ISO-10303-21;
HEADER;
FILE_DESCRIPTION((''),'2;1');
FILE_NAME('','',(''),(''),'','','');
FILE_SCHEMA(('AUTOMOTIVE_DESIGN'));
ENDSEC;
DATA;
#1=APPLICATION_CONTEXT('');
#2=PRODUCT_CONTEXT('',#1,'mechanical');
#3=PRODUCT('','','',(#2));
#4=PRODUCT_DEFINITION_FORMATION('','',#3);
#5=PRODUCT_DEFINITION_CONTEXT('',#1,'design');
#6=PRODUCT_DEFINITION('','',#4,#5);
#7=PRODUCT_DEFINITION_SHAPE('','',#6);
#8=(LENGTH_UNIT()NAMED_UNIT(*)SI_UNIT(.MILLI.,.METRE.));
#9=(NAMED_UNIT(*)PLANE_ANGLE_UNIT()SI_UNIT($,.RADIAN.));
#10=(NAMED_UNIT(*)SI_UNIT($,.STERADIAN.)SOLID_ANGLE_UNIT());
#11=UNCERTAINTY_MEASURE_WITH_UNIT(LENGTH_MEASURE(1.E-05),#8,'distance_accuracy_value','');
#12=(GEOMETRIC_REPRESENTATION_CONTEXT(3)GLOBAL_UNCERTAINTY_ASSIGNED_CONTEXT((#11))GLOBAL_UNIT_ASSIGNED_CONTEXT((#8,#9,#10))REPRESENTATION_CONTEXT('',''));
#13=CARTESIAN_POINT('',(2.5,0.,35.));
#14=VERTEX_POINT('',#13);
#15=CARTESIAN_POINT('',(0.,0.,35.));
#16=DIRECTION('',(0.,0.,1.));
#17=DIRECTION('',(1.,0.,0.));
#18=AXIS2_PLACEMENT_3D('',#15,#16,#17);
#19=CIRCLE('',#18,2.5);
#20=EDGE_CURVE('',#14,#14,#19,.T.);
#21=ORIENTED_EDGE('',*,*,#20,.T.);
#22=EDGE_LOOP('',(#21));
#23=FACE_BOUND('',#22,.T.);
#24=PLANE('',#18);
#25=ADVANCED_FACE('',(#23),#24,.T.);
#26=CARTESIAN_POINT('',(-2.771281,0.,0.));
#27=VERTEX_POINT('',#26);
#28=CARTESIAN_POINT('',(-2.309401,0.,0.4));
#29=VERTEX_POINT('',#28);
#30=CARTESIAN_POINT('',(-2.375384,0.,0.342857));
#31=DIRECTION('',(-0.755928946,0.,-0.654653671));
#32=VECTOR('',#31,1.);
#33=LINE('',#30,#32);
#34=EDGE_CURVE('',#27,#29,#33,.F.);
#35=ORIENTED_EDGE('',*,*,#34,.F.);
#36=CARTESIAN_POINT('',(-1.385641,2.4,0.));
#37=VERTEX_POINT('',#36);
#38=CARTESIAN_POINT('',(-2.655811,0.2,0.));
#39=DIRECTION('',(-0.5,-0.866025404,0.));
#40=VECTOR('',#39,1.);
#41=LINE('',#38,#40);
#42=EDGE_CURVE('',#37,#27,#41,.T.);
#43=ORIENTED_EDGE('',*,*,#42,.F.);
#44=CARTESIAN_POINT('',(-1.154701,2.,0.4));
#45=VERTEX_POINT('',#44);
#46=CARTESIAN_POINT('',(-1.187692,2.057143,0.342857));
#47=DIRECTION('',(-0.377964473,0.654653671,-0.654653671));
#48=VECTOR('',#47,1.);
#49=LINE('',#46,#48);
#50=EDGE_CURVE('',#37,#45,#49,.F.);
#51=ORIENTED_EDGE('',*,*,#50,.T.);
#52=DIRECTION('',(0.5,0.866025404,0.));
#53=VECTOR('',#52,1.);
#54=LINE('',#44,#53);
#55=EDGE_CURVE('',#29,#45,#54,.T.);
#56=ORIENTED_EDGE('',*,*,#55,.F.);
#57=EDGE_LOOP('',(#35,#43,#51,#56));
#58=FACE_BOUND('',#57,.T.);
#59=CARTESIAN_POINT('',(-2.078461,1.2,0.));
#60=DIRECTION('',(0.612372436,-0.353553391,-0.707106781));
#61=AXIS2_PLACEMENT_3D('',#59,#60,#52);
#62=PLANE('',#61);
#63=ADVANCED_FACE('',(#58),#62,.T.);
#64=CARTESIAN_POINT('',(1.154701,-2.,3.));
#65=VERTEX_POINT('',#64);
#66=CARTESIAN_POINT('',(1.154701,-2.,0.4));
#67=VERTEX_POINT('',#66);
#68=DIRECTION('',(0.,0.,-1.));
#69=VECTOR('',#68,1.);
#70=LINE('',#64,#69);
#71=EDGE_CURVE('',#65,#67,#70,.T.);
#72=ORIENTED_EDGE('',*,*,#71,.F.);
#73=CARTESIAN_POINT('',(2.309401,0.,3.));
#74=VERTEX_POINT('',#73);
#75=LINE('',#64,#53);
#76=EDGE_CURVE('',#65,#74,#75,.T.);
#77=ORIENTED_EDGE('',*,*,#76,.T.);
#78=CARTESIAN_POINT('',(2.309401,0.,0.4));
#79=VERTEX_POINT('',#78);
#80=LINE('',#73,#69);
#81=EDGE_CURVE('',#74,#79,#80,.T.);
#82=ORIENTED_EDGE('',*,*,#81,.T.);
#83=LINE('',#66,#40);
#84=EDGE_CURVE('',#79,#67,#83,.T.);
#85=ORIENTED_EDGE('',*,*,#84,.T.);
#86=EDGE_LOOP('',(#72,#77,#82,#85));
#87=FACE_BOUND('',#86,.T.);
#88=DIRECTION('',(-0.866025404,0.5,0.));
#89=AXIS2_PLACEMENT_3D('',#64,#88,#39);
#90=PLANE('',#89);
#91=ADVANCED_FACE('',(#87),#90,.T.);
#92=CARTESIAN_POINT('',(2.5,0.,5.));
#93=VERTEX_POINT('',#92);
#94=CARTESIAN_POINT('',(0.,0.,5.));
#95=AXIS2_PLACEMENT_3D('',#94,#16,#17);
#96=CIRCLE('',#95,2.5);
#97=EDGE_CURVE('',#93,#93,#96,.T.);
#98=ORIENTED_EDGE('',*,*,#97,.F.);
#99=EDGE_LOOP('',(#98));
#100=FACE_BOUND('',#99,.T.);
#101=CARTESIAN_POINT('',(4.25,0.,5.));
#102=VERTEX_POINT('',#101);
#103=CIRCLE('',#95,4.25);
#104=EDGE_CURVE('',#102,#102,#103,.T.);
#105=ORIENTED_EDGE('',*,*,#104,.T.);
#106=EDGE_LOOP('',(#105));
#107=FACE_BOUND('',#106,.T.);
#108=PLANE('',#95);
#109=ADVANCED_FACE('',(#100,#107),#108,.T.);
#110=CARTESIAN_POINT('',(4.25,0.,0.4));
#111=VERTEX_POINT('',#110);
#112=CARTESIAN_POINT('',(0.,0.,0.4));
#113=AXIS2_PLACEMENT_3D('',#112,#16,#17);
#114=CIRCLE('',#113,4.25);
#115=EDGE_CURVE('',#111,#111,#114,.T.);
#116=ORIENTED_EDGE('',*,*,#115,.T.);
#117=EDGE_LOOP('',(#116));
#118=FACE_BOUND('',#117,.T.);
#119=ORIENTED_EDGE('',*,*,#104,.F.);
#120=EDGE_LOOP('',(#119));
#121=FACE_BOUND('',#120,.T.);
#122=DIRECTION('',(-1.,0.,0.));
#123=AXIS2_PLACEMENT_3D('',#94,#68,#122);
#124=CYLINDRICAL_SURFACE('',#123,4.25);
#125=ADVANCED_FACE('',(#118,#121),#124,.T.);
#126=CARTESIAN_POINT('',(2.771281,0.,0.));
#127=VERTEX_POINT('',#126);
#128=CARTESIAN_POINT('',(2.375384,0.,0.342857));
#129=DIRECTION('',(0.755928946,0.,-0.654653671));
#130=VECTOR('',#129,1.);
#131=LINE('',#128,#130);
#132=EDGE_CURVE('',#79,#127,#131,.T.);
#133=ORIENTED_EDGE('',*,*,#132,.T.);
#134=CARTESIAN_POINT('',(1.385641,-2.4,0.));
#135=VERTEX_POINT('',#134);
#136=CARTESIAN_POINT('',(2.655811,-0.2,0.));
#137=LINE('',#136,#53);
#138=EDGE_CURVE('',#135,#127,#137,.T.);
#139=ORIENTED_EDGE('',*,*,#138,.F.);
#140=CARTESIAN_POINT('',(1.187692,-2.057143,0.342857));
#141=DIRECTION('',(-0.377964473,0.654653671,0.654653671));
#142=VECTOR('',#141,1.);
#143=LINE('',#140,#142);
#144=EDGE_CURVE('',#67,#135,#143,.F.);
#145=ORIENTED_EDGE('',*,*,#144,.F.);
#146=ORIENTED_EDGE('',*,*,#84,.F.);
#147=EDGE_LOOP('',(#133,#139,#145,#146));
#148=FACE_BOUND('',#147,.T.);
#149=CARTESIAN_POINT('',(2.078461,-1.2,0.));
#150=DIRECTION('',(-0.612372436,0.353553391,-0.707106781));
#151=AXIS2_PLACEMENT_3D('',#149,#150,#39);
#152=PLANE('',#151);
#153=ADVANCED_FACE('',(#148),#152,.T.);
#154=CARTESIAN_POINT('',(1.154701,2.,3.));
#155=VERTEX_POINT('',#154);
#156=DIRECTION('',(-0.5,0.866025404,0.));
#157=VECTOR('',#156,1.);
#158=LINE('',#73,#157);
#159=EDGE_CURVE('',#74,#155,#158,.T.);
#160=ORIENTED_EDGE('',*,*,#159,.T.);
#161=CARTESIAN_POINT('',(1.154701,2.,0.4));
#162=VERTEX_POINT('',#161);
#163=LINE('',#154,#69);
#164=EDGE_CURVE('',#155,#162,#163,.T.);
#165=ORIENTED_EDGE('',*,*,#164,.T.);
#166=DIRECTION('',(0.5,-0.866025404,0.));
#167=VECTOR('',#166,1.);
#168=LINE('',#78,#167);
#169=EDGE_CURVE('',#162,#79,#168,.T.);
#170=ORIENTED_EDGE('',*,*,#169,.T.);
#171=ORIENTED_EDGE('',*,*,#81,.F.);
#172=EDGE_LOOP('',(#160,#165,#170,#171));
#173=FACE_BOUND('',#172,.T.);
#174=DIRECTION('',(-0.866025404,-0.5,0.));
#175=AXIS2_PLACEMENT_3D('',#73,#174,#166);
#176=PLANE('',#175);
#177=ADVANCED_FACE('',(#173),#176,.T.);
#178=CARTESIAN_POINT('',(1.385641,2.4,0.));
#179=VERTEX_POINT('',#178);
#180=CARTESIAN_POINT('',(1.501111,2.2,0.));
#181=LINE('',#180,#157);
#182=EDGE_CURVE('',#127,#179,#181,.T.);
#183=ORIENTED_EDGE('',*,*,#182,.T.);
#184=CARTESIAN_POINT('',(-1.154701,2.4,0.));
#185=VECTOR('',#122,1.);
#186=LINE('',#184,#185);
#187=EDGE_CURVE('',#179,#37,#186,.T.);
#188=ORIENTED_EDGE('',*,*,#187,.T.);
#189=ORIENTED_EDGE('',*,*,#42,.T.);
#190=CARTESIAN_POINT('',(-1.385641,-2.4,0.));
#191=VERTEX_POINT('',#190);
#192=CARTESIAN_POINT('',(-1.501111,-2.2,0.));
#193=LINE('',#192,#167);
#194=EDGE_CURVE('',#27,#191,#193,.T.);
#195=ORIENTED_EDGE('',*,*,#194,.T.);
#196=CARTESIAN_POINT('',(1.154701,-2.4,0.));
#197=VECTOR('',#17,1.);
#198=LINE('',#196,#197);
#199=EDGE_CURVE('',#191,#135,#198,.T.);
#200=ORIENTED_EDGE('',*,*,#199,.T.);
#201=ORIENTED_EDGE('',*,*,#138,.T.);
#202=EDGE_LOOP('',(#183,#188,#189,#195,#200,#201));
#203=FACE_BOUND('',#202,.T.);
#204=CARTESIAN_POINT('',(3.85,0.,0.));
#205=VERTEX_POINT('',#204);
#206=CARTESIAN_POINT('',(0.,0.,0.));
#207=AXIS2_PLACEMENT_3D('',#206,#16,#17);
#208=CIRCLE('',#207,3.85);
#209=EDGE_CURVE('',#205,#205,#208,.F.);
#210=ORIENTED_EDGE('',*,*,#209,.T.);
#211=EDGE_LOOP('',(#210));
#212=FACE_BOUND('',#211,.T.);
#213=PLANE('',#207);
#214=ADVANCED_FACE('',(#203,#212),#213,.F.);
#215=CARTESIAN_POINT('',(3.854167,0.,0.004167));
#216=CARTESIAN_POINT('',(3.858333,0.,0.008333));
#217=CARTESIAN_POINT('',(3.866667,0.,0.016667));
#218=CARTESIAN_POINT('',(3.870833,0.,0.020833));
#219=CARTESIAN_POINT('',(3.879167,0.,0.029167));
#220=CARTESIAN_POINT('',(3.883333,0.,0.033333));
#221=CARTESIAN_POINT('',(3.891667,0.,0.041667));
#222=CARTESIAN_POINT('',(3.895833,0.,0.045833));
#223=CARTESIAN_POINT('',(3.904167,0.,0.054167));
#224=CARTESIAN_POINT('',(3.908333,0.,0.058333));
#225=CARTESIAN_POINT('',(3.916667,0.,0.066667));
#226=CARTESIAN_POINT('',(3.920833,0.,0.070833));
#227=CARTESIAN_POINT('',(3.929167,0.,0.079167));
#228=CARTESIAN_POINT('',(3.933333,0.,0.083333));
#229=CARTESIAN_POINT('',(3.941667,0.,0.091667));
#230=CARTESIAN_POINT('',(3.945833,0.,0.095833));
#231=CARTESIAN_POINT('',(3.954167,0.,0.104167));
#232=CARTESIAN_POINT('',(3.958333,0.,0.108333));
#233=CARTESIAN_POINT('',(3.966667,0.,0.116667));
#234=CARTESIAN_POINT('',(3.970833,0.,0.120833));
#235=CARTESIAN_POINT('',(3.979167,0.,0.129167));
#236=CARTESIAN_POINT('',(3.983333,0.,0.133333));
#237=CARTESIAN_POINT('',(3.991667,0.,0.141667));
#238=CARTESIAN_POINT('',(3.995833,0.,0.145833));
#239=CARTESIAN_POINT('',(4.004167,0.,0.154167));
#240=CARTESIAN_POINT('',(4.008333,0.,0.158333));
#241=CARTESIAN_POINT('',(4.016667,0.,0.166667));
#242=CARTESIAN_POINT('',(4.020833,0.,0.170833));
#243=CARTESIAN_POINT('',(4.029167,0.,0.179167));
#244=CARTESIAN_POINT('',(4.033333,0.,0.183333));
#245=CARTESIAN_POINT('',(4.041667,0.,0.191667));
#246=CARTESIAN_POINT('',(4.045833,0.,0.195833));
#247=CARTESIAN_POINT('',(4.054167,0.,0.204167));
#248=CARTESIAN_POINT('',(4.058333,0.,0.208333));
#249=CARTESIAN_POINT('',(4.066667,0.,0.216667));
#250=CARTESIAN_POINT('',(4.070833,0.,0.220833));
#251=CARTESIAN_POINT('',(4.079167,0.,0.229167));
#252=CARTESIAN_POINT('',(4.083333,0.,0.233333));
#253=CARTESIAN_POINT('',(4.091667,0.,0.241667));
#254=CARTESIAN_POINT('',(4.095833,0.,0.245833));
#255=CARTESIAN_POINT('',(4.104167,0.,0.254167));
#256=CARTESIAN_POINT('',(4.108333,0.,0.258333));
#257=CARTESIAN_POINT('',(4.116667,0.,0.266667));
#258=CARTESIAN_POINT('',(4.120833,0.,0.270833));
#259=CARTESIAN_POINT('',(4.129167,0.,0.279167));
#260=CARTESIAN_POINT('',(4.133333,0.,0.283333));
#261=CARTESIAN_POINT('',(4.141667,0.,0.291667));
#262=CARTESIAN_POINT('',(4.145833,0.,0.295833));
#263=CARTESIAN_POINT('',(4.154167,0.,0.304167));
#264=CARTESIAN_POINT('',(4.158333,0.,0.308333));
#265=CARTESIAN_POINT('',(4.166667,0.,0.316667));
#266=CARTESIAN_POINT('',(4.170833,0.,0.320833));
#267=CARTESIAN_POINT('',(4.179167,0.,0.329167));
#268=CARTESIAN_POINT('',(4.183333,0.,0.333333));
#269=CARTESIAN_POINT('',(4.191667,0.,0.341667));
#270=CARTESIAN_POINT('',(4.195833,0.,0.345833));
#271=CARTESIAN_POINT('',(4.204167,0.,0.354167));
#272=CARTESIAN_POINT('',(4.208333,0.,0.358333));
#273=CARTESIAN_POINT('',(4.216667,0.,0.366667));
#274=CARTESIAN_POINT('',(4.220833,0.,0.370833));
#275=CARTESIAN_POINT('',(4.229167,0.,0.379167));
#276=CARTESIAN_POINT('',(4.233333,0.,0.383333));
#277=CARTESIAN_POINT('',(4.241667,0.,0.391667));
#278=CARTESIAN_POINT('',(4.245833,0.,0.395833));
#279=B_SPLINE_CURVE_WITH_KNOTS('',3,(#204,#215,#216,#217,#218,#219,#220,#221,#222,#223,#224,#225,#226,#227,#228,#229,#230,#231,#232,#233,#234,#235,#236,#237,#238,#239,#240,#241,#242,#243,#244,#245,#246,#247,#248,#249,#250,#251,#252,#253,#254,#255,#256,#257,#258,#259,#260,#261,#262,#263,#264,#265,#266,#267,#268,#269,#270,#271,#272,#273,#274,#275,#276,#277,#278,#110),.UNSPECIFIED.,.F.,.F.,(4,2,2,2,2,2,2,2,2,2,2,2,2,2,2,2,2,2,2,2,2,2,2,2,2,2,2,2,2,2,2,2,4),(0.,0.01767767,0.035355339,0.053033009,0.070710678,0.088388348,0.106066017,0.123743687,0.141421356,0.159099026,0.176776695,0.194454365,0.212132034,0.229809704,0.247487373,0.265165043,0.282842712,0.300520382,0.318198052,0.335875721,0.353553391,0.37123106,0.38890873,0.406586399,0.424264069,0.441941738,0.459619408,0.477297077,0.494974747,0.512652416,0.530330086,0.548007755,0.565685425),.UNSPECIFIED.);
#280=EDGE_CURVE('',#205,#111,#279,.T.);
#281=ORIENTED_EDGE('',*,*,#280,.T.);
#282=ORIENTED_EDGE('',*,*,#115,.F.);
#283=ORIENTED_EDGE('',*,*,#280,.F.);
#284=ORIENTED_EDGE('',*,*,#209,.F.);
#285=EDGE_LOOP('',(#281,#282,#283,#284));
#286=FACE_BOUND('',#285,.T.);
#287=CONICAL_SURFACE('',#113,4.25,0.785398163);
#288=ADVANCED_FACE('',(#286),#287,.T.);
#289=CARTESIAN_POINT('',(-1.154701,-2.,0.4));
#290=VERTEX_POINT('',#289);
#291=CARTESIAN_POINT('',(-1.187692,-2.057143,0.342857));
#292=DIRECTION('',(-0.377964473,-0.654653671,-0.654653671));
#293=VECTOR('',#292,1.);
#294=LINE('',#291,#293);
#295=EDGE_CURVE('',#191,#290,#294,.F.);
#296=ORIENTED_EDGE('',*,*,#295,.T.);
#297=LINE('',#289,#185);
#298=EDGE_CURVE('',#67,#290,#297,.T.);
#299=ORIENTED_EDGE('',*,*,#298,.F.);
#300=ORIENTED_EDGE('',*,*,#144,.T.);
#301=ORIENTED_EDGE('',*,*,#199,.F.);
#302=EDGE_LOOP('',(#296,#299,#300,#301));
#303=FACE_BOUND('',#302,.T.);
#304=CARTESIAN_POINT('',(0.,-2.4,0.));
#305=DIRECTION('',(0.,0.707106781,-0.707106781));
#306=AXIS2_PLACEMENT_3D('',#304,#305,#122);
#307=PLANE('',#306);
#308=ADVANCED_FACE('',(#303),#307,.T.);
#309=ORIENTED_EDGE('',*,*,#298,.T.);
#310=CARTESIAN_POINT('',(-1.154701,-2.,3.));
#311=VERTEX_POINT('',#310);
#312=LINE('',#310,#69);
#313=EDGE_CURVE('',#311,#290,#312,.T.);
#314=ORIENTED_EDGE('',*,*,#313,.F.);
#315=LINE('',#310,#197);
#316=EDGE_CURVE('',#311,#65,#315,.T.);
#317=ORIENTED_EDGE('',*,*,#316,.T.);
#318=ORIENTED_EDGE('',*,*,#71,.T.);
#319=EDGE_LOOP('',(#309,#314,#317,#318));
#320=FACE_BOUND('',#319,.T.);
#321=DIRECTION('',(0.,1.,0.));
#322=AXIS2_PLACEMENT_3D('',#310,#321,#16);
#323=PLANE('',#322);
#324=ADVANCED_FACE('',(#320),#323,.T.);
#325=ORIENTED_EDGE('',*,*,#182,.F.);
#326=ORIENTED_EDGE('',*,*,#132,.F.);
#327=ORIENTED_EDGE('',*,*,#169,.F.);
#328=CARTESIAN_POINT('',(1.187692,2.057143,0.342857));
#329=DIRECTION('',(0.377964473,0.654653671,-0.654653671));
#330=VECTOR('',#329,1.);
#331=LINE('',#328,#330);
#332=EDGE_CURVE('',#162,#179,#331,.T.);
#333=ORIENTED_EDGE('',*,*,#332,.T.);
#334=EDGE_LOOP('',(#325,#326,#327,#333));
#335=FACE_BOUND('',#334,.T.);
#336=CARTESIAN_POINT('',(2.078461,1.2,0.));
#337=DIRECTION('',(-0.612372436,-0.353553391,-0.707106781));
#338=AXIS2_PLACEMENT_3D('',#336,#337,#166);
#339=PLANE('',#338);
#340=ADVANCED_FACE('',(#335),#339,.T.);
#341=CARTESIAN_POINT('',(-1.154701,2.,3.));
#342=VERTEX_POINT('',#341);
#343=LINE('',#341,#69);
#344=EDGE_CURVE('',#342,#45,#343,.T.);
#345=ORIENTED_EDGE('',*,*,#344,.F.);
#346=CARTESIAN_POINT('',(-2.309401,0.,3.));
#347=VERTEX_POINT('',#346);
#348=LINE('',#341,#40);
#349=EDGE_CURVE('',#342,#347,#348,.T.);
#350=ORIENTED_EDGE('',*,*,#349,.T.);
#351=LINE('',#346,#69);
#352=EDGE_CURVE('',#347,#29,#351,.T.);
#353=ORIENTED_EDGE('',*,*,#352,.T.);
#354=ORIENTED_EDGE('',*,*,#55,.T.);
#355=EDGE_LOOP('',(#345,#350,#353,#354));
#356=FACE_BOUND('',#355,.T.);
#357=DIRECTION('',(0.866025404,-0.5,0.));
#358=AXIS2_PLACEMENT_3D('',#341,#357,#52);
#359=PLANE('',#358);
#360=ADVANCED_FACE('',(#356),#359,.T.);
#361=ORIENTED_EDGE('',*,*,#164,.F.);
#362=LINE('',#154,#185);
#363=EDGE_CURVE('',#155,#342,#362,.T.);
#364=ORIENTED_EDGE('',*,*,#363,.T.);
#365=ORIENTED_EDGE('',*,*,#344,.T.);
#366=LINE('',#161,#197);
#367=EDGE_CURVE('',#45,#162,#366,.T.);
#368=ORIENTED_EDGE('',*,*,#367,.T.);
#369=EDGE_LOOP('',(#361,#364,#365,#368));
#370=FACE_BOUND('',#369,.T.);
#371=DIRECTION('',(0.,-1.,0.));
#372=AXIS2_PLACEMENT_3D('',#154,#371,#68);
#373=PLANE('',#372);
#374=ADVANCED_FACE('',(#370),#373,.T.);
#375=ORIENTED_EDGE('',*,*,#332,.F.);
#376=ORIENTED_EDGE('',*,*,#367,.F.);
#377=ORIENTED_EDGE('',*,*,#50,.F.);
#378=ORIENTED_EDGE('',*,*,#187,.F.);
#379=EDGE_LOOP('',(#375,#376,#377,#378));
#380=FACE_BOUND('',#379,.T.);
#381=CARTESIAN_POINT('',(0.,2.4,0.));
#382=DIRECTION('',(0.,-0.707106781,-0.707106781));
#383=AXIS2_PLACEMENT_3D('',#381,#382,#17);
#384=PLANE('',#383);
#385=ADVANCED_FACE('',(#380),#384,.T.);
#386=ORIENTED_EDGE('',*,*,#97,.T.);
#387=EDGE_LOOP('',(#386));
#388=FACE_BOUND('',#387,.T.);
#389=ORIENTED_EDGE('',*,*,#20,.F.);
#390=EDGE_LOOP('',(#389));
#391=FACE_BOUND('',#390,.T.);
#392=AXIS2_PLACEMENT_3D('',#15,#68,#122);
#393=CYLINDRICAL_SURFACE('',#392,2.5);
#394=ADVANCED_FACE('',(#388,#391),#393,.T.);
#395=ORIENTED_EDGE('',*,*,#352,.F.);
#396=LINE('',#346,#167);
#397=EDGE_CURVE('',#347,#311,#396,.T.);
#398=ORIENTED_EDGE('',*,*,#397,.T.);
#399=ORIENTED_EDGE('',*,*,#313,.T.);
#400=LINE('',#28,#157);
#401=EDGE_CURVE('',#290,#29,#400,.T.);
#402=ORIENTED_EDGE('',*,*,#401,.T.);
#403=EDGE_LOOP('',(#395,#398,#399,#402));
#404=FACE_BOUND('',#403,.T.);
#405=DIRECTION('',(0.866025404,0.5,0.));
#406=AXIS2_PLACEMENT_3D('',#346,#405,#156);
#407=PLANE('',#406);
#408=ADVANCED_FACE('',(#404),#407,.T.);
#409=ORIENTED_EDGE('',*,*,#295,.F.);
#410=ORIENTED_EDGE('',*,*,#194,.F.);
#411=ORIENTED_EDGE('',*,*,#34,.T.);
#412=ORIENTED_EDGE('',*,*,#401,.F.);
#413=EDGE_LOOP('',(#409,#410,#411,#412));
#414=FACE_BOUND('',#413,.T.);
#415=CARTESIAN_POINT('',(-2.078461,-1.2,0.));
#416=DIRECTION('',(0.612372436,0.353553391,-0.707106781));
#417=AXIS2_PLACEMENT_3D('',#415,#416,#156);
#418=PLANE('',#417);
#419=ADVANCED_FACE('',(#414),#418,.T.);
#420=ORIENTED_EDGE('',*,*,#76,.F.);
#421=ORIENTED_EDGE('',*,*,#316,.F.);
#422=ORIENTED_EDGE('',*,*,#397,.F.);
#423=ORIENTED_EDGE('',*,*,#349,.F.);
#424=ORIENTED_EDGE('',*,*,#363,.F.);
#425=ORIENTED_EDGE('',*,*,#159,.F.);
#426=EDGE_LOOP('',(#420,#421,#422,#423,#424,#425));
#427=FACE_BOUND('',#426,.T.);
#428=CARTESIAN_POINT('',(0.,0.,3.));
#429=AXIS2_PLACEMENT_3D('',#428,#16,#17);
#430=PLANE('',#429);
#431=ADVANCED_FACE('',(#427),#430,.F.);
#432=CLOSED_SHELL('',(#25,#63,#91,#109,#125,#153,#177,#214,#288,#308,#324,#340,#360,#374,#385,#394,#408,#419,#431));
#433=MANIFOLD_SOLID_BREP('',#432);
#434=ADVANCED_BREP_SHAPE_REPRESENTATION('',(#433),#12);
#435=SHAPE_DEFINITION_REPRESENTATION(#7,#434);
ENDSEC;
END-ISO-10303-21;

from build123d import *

# Parameters (mm, degrees)
SK_SHANK_R        = 2.5
EXT_SHANK_DEPTH   = 35
SK_HEAD_R         = 4.25
EXT_HEAD_DEPTH    = 5
CUT_HEX_DEPTH     = 3
CHAMFER_HEAD_SIZE = 0.4


with BuildPart() as part:
    # Sk_shank → Ext_shank (new body)
    with BuildSketch(Plane.XY):
        Circle(SK_SHANK_R)
    extrude(amount=EXT_SHANK_DEPTH)

    # Sk_head → Ext_head (add)
    with BuildSketch(Plane.XY):
        Circle(SK_HEAD_R)
    extrude(amount=EXT_HEAD_DEPTH)

    # Sk_hex → Cut_hex (cut)
    with BuildSketch(Plane.XY):
        Polygon((2.309401077, 0), (1.154700538, 2), (-1.154700538, 2), (-2.309401077, 0), (-1.154700538, -2), (1.154700538, -2), align=None)
    extrude(amount=CUT_HEX_DEPTH, mode=Mode.SUBTRACT)

    # Chamfer_head
    chamfer_head_edges = [part.edges().sort_by_distance(p)[0] for p in [
        (1.732050808, -1, 0),
        (1.732050808, 1, 0),
        (0, 2, 0),
        (-1.732050808, 1, 0),
        (-1.732050808, -1, 0),
        (0, -2, 0),
        (-4.25, 0, 0),
    ]]
    chamfer(chamfer_head_edges, length=CHAMFER_HEAD_SIZE)


solid = part.part
